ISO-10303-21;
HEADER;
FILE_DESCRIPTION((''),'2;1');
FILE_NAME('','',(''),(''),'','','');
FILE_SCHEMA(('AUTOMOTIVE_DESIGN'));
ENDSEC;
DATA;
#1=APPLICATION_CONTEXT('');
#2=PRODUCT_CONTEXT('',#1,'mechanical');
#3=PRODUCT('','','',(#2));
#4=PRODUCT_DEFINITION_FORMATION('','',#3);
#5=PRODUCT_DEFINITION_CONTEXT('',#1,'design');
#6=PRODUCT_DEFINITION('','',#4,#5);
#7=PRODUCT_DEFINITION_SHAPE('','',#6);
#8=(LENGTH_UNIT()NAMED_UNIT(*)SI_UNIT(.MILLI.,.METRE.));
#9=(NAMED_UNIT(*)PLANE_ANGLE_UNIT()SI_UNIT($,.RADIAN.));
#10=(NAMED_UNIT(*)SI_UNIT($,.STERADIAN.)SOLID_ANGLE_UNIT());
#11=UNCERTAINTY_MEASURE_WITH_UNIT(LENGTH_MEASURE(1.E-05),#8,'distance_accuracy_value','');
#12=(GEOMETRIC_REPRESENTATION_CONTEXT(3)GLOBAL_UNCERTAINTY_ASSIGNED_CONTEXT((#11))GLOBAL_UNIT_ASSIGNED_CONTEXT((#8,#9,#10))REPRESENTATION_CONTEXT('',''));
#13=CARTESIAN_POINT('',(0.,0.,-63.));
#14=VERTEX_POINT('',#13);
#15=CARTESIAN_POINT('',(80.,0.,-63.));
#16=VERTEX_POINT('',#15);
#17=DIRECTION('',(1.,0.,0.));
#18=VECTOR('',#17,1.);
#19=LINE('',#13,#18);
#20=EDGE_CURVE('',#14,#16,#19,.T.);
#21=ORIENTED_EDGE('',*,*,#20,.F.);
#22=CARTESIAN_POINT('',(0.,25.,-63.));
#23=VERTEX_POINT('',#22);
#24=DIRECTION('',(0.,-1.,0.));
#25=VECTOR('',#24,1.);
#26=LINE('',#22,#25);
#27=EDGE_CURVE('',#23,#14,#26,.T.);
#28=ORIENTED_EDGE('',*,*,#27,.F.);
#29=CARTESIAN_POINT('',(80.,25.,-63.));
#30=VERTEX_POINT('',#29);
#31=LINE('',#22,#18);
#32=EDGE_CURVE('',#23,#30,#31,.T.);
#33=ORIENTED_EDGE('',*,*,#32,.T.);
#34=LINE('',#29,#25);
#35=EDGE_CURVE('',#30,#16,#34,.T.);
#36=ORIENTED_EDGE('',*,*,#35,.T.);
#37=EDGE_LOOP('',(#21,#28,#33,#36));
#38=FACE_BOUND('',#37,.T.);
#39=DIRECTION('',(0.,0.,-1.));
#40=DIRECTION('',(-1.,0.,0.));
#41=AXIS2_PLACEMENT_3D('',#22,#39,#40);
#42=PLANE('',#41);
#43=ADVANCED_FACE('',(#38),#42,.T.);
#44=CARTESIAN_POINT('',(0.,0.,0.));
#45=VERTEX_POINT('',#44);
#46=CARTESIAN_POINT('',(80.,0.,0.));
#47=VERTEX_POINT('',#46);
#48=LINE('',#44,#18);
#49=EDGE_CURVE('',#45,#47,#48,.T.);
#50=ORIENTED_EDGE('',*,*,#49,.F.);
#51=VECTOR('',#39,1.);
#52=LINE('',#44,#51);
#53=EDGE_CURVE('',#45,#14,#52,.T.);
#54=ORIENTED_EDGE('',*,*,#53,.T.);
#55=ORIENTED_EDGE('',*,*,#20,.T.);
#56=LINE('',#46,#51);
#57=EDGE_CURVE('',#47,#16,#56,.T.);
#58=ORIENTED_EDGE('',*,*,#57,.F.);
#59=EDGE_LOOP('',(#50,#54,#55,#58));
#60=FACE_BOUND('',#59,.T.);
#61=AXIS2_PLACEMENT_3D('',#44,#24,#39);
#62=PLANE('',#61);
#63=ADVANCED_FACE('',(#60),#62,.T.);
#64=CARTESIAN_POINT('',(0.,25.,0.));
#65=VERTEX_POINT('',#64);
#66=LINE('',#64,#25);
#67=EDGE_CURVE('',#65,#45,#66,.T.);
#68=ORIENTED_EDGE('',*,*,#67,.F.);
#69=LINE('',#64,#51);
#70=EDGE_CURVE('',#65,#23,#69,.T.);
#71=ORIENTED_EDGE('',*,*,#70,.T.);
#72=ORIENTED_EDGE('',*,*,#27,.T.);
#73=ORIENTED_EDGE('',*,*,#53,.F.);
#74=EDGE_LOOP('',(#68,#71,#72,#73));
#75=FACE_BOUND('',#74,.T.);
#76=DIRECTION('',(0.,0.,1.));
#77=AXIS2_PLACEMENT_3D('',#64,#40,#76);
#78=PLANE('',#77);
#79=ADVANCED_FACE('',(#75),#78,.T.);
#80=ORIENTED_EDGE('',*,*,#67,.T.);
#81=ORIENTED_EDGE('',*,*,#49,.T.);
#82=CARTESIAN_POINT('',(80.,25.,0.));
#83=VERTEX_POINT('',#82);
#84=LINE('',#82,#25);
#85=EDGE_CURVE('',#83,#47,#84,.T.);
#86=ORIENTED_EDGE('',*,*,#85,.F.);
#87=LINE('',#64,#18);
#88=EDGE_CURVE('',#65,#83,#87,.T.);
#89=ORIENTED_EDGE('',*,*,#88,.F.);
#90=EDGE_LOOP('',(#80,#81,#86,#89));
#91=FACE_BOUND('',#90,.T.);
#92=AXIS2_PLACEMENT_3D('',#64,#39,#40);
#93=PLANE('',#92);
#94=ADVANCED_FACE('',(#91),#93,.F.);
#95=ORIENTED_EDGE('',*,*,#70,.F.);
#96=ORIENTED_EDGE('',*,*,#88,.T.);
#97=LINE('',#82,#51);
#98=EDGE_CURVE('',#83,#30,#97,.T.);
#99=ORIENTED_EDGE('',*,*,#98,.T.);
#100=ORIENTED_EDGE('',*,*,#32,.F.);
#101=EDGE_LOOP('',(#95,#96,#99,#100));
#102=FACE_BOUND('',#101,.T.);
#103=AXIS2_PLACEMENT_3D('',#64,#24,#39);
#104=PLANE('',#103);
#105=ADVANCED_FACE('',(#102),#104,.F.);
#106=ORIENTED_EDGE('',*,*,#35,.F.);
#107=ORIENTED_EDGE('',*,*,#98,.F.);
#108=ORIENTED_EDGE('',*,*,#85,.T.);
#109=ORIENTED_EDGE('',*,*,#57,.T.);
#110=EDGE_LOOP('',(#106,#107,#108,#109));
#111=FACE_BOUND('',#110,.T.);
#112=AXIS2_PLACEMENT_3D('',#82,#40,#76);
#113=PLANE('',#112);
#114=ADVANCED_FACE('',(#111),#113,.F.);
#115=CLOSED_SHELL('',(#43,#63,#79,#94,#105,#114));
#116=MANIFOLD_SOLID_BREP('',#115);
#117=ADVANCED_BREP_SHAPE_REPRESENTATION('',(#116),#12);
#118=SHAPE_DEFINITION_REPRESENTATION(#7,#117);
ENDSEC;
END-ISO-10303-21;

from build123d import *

# Parameters (mm, degrees)
SKETCH_2_W      = 80
SKETCH_2_H      = 63
EXTRUDE_1_DEPTH = 25


with BuildPart() as part:
    # 草图2 → 凸台-拉伸1 (new body)
    with BuildSketch(Plane(origin=(0, 0, 0), x_dir=(1, 0, 0), z_dir=(0, 1, 0))):
        with Locations((40, 31.5)):
            Rectangle(SKETCH_2_W, SKETCH_2_H)
    extrude(amount=EXTRUDE_1_DEPTH)


solid = part.part
